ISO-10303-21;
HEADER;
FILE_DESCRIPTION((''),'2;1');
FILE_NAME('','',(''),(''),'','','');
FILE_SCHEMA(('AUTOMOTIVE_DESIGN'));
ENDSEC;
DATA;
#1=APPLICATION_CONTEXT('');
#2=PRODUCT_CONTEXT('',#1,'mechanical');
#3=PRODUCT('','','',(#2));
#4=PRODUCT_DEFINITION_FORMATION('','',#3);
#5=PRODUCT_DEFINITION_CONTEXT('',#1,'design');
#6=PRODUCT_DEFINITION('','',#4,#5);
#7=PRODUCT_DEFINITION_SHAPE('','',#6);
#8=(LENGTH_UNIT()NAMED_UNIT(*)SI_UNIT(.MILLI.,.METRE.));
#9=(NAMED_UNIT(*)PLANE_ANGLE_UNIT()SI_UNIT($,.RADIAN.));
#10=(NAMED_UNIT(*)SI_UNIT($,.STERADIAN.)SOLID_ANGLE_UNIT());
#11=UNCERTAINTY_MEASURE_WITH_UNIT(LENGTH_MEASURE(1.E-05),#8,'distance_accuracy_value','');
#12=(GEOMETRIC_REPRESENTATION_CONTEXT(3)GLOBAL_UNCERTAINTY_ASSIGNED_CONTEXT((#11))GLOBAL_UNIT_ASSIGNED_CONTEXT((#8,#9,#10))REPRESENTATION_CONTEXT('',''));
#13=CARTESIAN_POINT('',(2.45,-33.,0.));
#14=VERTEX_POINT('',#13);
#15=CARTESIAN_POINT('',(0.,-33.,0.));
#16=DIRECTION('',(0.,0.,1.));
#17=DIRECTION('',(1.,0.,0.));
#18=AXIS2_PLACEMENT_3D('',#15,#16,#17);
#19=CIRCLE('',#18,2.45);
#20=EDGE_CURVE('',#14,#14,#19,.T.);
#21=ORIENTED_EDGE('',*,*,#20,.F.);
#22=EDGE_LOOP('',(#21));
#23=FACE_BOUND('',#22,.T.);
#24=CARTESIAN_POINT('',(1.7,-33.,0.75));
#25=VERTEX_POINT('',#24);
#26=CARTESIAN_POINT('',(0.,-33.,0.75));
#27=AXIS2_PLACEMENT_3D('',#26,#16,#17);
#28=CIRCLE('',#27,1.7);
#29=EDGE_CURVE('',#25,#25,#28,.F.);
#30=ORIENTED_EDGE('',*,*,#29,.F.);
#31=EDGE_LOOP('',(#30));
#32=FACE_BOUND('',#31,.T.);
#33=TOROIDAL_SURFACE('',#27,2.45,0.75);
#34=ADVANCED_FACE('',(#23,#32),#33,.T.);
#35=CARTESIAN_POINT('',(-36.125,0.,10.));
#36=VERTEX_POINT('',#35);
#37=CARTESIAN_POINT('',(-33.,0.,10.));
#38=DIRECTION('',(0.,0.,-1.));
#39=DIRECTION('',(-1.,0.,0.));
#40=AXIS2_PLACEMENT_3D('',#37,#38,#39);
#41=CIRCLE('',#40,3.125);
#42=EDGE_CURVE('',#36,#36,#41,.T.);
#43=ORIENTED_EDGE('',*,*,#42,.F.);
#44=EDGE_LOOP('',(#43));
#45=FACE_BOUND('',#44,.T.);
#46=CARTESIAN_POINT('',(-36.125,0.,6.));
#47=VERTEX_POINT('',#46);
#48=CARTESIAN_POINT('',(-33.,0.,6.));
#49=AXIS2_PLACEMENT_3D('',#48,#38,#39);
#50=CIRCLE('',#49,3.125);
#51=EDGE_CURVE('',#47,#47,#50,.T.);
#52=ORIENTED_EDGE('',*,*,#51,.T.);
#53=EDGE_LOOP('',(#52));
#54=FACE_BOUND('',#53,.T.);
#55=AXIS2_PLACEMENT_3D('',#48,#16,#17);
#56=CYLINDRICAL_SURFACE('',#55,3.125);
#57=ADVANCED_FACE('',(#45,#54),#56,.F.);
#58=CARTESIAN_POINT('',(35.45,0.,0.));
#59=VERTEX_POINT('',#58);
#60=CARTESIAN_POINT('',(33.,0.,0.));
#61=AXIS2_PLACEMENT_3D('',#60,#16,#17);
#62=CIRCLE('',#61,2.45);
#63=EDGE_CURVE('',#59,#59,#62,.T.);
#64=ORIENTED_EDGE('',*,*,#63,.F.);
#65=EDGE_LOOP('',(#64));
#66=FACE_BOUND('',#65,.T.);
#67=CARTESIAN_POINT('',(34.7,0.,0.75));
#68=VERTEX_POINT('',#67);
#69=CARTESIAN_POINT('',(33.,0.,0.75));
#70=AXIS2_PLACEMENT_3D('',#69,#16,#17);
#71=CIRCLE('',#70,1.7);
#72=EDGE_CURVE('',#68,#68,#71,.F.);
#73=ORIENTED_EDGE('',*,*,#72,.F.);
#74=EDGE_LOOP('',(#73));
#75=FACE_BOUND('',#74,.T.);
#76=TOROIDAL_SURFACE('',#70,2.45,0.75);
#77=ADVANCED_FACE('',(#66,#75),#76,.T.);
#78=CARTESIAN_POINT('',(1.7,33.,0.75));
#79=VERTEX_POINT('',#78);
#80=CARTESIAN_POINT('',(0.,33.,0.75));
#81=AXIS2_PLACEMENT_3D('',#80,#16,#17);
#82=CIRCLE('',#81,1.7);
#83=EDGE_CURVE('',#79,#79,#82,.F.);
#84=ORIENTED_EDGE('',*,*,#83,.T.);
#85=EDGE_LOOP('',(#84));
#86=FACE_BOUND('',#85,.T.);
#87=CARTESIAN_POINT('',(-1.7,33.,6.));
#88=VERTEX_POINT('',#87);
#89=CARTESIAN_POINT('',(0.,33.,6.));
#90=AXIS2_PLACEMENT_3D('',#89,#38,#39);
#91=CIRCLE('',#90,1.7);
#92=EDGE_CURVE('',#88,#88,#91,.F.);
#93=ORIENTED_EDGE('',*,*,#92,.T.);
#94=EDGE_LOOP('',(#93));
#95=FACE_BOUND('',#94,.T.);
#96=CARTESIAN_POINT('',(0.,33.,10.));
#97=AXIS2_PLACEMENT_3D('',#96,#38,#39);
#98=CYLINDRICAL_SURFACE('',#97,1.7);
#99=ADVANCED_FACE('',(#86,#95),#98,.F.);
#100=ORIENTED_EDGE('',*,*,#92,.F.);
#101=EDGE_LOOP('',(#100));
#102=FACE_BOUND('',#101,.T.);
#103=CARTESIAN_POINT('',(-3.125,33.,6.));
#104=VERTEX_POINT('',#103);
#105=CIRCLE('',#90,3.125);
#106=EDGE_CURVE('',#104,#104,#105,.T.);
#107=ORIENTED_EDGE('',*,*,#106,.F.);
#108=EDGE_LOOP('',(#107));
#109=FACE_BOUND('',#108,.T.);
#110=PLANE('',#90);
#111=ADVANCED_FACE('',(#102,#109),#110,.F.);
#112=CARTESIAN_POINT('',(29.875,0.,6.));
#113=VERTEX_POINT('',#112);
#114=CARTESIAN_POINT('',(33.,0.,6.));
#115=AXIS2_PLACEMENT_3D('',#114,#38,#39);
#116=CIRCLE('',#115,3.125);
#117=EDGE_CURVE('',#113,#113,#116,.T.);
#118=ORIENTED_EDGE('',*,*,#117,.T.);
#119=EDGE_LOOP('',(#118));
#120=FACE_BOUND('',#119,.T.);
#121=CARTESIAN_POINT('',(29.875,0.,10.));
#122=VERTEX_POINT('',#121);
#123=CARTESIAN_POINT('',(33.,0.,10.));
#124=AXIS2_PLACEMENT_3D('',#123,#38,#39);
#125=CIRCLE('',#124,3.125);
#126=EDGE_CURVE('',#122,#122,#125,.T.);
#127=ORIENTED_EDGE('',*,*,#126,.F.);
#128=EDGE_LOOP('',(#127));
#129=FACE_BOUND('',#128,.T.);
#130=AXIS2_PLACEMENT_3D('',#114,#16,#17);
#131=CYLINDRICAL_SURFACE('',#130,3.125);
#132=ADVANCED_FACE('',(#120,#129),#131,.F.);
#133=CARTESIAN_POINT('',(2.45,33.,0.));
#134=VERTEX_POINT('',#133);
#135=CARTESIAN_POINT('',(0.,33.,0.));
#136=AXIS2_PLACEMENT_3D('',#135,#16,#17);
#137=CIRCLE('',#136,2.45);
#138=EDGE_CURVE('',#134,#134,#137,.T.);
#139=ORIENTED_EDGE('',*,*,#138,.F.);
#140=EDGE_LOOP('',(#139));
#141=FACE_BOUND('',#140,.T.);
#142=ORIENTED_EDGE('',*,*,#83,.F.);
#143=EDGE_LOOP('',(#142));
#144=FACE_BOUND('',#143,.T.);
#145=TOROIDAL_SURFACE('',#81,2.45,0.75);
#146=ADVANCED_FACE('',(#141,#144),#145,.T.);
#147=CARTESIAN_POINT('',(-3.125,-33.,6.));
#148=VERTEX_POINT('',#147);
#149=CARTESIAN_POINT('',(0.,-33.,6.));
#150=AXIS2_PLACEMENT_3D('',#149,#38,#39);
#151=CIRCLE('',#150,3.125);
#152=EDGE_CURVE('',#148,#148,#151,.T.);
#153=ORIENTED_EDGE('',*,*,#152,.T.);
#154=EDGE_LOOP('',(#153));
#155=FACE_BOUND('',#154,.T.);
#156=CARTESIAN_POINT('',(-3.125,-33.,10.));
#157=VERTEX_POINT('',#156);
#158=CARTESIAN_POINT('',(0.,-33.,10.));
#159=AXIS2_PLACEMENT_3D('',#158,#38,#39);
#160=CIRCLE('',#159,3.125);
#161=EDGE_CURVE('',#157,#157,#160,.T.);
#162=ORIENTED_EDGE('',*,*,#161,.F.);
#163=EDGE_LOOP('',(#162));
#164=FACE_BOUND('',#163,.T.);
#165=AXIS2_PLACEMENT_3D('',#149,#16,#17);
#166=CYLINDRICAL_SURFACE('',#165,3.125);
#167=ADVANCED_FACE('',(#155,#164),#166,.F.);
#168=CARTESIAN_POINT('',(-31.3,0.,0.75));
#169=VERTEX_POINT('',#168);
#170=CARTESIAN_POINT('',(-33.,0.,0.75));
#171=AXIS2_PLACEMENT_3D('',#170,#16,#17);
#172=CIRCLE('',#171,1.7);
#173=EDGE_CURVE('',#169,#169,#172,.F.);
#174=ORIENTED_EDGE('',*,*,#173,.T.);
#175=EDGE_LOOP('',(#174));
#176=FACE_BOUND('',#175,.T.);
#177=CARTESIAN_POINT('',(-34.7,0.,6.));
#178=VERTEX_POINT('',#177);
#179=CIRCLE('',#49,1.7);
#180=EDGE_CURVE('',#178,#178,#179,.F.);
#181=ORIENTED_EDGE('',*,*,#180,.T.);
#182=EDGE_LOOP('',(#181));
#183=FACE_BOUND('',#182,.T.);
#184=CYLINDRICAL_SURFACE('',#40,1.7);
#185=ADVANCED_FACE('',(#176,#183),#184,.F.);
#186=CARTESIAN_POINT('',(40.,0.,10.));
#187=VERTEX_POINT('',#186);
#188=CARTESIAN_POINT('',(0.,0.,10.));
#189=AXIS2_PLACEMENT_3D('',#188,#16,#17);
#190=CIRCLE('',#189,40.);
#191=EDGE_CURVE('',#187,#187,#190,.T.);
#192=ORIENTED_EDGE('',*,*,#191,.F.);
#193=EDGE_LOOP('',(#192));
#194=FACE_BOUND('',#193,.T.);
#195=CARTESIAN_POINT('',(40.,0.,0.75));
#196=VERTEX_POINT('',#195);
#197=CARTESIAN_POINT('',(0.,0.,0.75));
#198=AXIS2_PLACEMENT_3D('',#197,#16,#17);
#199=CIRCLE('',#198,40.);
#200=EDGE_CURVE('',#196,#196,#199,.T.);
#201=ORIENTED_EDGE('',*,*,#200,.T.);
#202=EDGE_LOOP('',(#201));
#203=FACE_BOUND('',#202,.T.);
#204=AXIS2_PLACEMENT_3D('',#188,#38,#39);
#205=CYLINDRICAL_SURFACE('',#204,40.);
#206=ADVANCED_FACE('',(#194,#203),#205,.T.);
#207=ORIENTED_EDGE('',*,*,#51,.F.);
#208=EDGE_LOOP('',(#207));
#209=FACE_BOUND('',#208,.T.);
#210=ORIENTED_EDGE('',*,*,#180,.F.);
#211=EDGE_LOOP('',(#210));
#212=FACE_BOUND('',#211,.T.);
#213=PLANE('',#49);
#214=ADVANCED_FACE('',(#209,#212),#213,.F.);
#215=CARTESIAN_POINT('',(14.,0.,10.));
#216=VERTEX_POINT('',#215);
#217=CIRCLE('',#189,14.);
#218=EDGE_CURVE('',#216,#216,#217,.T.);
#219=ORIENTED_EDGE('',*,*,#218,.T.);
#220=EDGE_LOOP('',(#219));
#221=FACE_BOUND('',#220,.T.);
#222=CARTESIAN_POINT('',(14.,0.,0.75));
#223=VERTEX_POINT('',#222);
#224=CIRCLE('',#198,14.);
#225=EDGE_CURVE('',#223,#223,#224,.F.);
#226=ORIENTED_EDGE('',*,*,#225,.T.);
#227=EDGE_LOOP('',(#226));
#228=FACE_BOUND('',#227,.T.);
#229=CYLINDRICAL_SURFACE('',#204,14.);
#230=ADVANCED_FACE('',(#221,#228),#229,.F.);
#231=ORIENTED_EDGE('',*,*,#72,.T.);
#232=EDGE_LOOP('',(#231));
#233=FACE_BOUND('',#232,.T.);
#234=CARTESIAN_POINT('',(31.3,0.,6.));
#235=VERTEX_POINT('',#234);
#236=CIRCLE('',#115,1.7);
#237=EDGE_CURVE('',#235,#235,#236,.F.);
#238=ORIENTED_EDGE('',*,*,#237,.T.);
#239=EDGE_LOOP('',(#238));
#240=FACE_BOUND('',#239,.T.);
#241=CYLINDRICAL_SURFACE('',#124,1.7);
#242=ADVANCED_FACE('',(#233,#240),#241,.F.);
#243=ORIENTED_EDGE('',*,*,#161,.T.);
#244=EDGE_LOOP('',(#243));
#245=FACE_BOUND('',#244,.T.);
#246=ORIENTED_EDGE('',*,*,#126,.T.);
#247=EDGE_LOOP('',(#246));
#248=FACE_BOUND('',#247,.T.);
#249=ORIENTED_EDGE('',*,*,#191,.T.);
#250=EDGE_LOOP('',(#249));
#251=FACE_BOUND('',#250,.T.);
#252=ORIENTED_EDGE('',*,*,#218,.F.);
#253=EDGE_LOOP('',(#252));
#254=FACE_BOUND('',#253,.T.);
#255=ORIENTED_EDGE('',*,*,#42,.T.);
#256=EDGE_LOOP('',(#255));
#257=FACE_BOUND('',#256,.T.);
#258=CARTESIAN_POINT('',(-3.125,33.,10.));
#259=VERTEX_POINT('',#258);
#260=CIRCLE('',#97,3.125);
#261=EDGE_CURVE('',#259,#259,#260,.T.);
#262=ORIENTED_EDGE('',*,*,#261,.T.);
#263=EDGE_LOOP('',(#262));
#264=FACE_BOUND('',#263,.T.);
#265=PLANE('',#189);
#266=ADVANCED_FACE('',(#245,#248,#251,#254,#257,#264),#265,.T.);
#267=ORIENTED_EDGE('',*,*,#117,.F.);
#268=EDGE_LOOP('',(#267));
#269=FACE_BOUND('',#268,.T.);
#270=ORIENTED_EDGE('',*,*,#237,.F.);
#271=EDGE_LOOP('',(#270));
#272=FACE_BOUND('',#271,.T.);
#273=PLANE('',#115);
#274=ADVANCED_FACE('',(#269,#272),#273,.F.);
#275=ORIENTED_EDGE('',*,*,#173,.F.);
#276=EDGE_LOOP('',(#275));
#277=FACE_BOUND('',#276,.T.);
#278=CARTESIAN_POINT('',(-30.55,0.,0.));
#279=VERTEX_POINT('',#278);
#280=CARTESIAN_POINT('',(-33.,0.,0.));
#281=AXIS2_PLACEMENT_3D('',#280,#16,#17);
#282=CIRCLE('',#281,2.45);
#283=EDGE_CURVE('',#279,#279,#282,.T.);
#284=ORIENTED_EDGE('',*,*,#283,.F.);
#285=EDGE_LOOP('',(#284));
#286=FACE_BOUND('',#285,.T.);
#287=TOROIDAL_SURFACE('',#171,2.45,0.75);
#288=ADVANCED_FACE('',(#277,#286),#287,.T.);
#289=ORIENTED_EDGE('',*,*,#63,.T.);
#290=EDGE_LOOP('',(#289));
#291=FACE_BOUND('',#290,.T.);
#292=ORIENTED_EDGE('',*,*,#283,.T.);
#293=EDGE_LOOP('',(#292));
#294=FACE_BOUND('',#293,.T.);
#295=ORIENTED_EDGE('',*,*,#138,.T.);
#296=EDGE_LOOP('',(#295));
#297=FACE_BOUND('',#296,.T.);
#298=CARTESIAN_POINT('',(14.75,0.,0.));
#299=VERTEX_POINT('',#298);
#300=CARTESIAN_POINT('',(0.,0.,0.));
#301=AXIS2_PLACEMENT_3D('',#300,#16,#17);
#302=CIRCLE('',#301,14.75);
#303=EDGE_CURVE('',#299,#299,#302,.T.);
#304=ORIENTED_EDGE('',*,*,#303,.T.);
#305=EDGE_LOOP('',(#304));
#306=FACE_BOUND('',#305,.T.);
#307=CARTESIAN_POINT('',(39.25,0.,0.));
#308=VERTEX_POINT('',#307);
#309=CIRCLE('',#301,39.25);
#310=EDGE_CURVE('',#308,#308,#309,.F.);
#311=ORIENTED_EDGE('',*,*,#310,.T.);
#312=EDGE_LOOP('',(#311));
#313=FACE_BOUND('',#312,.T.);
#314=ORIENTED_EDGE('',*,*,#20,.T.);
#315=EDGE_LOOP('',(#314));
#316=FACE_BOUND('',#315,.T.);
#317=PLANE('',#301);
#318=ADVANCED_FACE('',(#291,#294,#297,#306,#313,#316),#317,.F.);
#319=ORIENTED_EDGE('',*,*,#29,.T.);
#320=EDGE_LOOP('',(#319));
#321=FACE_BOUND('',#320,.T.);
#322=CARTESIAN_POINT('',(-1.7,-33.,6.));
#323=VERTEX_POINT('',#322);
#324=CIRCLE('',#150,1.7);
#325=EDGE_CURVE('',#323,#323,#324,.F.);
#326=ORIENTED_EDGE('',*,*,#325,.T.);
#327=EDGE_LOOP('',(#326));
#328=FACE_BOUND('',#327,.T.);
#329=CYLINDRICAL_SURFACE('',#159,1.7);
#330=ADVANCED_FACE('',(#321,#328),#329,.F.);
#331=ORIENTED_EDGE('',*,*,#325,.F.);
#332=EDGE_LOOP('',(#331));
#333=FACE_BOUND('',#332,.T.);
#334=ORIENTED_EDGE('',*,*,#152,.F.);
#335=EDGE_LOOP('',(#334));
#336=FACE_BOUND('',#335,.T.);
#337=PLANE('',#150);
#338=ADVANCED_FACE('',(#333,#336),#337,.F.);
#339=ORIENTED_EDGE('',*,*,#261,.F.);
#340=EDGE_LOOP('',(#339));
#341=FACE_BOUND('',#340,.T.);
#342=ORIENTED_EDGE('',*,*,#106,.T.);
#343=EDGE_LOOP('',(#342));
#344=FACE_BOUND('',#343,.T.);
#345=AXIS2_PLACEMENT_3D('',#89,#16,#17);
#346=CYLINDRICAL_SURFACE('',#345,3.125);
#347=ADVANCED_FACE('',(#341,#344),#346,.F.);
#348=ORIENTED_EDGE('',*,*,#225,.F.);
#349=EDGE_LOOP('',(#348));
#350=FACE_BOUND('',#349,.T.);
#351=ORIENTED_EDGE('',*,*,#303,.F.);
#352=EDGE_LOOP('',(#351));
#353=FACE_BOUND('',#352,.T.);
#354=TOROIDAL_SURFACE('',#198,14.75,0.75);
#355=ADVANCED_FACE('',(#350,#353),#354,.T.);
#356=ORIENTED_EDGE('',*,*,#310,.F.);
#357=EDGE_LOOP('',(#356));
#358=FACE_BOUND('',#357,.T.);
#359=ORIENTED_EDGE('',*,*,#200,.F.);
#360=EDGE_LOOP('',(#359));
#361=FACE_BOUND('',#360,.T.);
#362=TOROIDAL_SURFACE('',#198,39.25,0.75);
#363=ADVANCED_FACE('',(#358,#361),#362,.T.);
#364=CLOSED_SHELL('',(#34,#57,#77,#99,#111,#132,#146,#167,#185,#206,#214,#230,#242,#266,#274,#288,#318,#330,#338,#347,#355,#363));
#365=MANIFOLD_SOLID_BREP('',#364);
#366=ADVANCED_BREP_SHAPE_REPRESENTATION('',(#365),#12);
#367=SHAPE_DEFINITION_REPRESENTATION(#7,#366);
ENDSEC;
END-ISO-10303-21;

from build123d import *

# Parameters (mm, degrees)
SKETCH1_R           = 40
SKETCH1_R_2         = 14
BOSS_EXTRUDE1_DEPTH = 10
SKETCH2_R           = 1.7
CUT_EXTRUDE3_DEPTH  = 10
CUT_EXTRUDE4_START  = -10
SKETCH4_R           = 3.125
CUT_EXTRUDE4_DEPTH  = 4
FILLET1_R           = 0.75


with BuildPart() as part:
    # Sketch1 → Boss-Extrude1 (new body)
    with BuildSketch(Plane.XY):
        Circle(SKETCH1_R)
        Circle(SKETCH1_R_2, mode=Mode.SUBTRACT)
    extrude(amount=BOSS_EXTRUDE1_DEPTH)

    # Sketch2 → Cut-Extrude3 (cut)
    with BuildSketch(Plane(origin=(0, 0, 0), x_dir=(-1, 0, 0), z_dir=(0, 0, -1))):
        with Locations((0, 33)):
            Circle(SKETCH2_R)
        with Locations((33, 0)):
            Circle(SKETCH2_R)
        with Locations((0, -33)):
            Circle(SKETCH2_R)
        with Locations((-33, 0)):
            Circle(SKETCH2_R)
    extrude(amount=-CUT_EXTRUDE3_DEPTH, mode=Mode.SUBTRACT)

    # Sketch4 → Cut-Extrude4 (cut)
    with BuildSketch(Plane(origin=(0, 0, 0), x_dir=(-1, 0, 0), z_dir=(0, 0, -1)).offset(CUT_EXTRUDE4_START)):
        with Locations((0, 33)):
            Circle(SKETCH4_R)
        with Locations((33, 0)):
            Circle(SKETCH4_R)
        with Locations((0, -33)):
            Circle(SKETCH4_R)
        with Locations((-33, 0)):
            Circle(SKETCH4_R)
    extrude(amount=CUT_EXTRUDE4_DEPTH, mode=Mode.SUBTRACT)

    # Fillet1
    fillet1_edges = [part.edges().sort_by_distance(p)[0] for p in [
        (1.7, 33, 0),
        (-31.3, 0, 0),
        (1.7, -33, 0),
        (-40, 0, 0),
        (34.7, 0, 0),
        (-14, 0, 0),
    ]]
    fillet(fillet1_edges, radius=FILLET1_R)


solid = part.part
